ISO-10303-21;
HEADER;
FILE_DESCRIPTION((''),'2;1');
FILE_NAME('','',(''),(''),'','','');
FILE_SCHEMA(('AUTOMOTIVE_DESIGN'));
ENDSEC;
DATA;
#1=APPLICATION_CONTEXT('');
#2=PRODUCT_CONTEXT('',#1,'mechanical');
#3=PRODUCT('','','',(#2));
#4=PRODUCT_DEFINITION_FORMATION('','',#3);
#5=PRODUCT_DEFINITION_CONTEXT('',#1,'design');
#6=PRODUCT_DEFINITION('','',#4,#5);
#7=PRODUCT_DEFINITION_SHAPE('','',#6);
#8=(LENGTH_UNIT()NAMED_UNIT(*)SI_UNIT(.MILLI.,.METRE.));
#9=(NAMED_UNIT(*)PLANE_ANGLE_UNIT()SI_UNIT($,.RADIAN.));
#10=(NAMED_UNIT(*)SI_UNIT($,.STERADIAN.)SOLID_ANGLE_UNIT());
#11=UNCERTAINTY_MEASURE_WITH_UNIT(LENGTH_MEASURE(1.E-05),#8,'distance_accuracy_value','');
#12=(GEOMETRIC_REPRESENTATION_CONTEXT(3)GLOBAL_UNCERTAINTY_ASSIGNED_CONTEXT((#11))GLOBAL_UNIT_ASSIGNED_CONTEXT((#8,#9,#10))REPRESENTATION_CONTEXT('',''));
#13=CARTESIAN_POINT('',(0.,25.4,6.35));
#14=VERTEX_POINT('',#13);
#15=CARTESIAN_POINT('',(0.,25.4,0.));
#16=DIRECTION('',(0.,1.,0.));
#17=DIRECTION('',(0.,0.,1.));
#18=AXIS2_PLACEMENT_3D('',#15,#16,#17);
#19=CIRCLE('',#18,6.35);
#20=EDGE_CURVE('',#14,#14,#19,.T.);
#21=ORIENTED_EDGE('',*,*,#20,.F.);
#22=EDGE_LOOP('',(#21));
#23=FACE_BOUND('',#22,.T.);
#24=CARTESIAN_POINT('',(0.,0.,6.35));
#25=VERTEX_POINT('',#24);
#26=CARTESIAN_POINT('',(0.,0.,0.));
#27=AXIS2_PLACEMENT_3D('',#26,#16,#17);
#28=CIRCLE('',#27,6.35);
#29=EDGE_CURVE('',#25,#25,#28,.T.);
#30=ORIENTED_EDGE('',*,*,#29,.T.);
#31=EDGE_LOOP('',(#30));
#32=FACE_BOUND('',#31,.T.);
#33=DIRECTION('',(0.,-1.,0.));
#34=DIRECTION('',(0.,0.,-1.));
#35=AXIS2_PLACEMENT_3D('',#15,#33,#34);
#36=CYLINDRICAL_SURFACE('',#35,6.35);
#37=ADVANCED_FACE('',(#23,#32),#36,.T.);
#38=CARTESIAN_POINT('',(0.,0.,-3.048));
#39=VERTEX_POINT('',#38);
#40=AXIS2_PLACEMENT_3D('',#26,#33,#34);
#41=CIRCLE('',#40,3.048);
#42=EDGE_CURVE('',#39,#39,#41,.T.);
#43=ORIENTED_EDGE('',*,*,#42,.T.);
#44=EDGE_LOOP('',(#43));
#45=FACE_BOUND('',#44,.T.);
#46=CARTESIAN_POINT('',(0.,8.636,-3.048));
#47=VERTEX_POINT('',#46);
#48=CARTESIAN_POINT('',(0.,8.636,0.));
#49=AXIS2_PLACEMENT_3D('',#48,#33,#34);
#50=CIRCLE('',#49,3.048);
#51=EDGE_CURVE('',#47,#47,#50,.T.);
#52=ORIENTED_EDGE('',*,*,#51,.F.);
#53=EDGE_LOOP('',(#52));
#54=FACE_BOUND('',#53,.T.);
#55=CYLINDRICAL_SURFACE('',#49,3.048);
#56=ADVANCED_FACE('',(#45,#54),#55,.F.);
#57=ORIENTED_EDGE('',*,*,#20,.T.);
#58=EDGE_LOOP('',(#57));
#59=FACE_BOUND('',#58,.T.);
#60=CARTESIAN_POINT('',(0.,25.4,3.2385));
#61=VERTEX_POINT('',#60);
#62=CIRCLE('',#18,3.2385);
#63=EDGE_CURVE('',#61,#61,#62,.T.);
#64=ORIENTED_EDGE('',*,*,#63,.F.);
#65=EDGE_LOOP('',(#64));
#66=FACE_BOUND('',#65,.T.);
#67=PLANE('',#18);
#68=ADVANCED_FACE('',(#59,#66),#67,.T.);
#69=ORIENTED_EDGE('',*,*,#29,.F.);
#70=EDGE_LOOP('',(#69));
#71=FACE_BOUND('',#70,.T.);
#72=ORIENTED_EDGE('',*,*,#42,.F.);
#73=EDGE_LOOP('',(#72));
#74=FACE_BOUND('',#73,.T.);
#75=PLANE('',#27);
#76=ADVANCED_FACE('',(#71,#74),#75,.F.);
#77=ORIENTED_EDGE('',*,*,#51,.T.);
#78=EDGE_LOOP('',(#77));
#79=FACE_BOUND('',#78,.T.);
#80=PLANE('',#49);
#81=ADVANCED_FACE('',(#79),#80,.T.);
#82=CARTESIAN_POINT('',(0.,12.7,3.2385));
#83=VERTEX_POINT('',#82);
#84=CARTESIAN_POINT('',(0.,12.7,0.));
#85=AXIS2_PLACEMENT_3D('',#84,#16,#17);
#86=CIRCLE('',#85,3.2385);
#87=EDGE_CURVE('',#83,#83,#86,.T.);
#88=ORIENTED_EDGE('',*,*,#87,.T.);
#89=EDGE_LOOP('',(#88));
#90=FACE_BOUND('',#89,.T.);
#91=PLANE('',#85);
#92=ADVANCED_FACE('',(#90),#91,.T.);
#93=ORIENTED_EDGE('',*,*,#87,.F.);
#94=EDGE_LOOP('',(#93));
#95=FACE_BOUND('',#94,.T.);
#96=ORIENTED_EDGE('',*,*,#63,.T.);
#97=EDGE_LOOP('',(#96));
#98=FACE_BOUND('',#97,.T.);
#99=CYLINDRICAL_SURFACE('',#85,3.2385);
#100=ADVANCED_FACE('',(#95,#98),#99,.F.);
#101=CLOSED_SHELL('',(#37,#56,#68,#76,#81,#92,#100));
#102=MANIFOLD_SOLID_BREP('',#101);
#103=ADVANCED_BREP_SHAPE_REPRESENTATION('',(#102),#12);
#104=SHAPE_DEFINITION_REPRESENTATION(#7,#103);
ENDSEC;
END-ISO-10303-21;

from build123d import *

# Parameters (mm, degrees)
SKETCH1_R           = 6.35
BOSS_EXTRUDE1_DEPTH = 25.4
SKETCH2_R           = 3.048
CUT_EXTRUDE1_DEPTH  = 8.636
SKETCH3_R           = 3.2385
CUT_EXTRUDE2_DEPTH  = 12.7


with BuildPart() as part:
    # Sketch1 → Boss-Extrude1 (new body)
    with BuildSketch(Plane(origin=(0, 0, 0), x_dir=(1, 0, 0), z_dir=(0, 1, 0))):
        Circle(SKETCH1_R)
    extrude(amount=BOSS_EXTRUDE1_DEPTH)

    # Sketch2 → Cut-Extrude1 (cut)
    with BuildSketch(Plane.XZ):
        Circle(SKETCH2_R)
    extrude(amount=-CUT_EXTRUDE1_DEPTH, mode=Mode.SUBTRACT)

    # Sketch3 → Cut-Extrude2 (cut)
    with BuildSketch(Plane(origin=(0, 25.4, 0), x_dir=(1, 0, 0), z_dir=(0, 1, 0))):
        Circle(SKETCH3_R)
    extrude(amount=-CUT_EXTRUDE2_DEPTH, mode=Mode.SUBTRACT)


solid = part.part
